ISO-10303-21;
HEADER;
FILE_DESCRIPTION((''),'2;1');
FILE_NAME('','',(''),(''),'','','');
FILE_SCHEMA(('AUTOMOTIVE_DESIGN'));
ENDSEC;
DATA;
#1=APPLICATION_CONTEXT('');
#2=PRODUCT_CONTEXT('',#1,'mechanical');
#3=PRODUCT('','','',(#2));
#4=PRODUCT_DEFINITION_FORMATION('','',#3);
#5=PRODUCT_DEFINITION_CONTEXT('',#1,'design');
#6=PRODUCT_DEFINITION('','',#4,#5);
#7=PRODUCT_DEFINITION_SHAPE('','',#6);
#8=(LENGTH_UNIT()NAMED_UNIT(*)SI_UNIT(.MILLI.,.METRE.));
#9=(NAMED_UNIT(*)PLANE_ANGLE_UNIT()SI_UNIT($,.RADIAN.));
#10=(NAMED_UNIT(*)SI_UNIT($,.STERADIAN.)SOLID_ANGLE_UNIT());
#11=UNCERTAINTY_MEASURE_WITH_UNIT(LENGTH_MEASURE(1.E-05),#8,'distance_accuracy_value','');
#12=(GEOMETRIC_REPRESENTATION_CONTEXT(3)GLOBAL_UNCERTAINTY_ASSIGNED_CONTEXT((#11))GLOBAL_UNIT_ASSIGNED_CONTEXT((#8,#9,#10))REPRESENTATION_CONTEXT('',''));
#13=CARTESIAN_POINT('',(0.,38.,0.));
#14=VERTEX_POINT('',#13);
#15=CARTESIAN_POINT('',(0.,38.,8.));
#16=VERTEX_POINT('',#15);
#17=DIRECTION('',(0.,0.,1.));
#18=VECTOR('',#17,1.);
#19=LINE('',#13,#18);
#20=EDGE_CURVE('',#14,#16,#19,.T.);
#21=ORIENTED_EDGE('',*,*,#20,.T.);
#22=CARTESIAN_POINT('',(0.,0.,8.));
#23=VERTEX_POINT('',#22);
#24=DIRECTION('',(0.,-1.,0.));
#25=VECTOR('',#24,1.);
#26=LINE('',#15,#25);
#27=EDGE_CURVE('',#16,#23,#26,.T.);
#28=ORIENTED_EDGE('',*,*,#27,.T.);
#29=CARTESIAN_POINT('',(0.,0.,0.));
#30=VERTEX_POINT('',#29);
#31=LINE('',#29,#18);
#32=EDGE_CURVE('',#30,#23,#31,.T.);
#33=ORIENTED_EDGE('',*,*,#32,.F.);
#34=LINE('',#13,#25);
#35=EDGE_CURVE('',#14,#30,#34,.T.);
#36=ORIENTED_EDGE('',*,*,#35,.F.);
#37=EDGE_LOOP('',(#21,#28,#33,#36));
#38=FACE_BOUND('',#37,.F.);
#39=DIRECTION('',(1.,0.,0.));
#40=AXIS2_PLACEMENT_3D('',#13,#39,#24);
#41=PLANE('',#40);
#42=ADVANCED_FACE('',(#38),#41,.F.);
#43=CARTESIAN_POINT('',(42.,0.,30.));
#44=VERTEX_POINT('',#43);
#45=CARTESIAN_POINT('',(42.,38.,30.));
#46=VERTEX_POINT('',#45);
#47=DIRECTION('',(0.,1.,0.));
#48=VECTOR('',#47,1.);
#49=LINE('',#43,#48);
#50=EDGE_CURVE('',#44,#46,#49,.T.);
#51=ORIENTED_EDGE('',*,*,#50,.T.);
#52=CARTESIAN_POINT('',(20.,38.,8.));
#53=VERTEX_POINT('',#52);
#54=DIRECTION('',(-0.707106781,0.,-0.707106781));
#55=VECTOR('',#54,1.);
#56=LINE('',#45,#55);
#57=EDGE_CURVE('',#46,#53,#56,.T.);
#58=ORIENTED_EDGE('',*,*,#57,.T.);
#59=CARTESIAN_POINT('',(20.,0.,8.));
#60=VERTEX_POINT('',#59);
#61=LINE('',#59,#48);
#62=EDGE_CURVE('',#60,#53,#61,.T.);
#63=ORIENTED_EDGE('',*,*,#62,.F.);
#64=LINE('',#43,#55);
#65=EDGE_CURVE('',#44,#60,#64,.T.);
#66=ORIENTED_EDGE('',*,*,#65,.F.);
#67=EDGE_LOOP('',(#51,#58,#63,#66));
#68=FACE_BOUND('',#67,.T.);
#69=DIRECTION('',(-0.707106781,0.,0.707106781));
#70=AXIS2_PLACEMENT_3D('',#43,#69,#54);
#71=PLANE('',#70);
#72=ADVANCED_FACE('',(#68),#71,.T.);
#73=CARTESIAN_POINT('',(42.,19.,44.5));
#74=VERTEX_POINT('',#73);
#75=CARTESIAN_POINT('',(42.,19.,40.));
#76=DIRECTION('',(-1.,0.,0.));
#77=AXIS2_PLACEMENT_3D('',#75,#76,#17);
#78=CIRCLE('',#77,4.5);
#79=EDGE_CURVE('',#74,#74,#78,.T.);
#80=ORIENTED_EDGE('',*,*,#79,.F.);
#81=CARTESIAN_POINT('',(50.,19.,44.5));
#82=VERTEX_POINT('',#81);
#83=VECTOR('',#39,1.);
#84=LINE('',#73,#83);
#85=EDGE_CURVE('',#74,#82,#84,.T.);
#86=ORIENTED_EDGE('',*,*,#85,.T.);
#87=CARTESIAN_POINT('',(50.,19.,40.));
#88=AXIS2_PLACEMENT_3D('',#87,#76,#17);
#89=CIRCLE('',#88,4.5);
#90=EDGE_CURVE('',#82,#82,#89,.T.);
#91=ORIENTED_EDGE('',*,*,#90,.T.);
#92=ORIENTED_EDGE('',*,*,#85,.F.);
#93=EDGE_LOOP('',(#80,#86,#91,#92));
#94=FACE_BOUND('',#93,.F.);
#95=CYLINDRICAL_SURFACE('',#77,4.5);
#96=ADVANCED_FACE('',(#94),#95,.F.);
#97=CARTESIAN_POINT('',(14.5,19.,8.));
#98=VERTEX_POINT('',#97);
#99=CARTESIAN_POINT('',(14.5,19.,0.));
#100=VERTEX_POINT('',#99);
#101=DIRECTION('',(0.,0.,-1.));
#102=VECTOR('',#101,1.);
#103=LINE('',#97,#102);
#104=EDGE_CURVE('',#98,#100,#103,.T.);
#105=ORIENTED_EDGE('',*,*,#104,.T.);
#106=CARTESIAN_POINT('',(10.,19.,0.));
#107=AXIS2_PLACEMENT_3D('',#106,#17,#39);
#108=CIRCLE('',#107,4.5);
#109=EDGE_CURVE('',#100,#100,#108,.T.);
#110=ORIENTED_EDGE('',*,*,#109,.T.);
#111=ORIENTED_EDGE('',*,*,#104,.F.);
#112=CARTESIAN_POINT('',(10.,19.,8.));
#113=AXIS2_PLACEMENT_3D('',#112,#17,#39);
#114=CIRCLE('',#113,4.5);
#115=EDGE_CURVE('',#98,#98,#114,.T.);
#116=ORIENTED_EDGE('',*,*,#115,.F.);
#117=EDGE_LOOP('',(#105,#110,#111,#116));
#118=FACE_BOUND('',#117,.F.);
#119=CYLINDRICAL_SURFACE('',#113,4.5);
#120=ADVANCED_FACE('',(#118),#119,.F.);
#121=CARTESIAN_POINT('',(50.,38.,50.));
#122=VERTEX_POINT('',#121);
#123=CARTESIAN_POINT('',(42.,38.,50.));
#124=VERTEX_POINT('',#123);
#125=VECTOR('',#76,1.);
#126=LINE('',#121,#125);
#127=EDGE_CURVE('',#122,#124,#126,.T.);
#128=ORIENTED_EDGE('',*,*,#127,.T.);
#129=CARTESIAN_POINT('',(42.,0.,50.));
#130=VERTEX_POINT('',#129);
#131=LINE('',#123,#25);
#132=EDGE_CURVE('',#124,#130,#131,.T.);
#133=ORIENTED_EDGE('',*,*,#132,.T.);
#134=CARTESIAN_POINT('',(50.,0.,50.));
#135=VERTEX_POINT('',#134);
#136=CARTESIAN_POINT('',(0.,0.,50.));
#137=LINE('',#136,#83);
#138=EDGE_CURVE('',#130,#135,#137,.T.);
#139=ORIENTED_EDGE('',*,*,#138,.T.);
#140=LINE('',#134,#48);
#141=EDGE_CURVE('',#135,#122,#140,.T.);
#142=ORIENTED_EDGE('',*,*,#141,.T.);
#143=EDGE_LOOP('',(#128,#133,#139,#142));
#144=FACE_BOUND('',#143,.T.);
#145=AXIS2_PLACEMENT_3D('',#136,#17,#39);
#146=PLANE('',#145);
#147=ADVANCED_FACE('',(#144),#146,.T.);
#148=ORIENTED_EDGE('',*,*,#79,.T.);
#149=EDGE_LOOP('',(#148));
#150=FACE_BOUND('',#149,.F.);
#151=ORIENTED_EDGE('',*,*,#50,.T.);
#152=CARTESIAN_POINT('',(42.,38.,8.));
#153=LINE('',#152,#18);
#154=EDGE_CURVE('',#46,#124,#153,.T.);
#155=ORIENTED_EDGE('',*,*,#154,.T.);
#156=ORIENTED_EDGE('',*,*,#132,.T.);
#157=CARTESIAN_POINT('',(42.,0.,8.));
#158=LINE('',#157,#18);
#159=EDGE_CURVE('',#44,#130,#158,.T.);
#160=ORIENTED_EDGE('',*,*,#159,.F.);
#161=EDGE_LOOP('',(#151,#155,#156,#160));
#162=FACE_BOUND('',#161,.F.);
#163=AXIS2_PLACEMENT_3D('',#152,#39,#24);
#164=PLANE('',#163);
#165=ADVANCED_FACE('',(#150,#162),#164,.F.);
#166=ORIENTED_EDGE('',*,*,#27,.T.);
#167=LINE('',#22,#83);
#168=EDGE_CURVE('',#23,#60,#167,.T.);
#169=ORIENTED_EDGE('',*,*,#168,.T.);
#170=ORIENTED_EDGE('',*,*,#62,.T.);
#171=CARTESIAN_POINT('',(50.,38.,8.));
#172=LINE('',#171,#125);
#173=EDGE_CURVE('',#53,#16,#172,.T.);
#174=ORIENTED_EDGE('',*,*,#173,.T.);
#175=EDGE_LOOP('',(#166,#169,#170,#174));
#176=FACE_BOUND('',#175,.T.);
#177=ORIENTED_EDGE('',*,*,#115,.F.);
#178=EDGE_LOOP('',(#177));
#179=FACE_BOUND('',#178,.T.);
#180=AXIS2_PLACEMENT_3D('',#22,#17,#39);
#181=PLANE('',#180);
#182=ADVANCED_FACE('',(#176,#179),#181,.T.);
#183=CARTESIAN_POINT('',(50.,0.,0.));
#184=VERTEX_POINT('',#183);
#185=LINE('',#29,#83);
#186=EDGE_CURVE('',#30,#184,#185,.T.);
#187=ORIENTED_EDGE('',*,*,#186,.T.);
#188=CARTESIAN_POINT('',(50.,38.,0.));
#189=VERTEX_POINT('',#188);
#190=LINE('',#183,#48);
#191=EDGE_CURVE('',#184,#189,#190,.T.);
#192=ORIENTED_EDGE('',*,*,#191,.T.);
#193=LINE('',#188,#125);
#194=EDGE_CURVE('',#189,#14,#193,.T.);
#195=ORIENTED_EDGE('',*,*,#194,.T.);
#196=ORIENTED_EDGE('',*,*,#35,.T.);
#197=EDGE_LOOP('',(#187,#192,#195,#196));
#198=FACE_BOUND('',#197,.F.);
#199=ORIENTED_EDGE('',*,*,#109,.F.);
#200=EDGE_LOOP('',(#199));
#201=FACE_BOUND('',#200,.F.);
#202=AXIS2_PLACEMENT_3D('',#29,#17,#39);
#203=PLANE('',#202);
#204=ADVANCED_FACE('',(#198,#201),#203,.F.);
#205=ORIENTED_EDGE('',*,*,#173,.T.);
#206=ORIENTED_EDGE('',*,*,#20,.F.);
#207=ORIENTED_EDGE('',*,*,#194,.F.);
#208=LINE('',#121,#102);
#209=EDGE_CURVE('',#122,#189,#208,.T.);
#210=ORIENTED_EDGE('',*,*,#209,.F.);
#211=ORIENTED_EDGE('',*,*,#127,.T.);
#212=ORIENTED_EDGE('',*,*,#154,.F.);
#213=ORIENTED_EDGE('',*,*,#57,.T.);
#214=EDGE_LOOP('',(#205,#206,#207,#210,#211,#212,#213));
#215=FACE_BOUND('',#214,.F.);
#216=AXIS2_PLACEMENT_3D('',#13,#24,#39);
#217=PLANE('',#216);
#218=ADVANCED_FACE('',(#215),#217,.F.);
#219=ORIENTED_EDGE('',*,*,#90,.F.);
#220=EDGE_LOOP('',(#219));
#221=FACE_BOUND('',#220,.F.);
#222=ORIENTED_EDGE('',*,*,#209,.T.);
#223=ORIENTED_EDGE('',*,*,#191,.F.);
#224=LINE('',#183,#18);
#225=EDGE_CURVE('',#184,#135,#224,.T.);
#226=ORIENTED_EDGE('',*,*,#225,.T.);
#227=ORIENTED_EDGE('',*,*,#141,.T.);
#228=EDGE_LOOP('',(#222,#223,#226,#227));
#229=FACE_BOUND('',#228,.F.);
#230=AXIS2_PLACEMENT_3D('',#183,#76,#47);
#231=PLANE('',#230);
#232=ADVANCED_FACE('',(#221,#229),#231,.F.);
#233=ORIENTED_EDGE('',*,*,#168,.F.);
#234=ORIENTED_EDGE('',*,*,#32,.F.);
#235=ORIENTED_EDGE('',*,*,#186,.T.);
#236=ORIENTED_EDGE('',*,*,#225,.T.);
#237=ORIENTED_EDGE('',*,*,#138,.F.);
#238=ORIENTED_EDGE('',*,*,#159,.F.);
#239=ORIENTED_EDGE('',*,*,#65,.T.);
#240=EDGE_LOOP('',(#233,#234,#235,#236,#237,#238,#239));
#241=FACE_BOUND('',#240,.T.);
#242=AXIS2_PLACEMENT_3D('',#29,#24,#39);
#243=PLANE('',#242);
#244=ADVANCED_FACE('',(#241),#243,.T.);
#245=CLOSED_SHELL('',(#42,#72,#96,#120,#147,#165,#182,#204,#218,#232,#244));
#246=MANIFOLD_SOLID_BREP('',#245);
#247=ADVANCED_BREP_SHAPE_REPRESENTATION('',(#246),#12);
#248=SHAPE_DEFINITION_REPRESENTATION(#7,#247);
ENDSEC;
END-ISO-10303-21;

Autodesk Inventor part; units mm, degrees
ref_plane "YZ Plane" through (0, 0, 0) normal (1, 0, 0) x (0, 1, 0)
ref_plane "XZ Plane" through (0, 0, 0) normal (0, 1, 0) x (-1, 0, 0)
ref_plane "XY Plane" through (0, 0, 0) normal (0, 0, 1) x (1, 0, 0)
sketch "Sketch1" plane through (0, 0, 0) normal (0, 0, 1) x (1, 0, 0)
  line L0 (0, 0) -> (50, 0)
  line L1 (50, 0) -> (50, 38)
  line L2 (50, 38) -> (0, 38)
  line L3 (0, 38) -> (0, 0)
  dimension "d0" = 38
  dimension "d3" = 50
extrude "Extrusion1" add sketch "Sketch1" along normal blind 8
sketch "Sketch2" plane through (0, 0, 8) normal (0, 0, 1) x (1, 0, 0)
  line L0 (50, 0) -> (50, 38) projected
  line L1 (0, 0) -> (50, 0) projected
  line L2 (50, 38) -> (42, 38)
  line L3 (42, 38) -> (42, 0)
  line L4 (42, 0) -> (50, 0)
  line L5 (50, 0) -> (50, 38)
  dimension "d4" = 8
extrude "Extrusion2" add sketch "Sketch2" along normal blind 42
sketch "Sketch3" plane through (0, 0, 0) normal (0, -1, 0) x (1, 0, 0)
  line L0 (42, 8) -> (42, 50) projected
  line L1 (42, 30) -> (20, 8)
  line L2 (0, 8) -> (42, 8) projected
  line L3 (0, 0) -> (50, 0) projected
  line L4 (50, 0) -> (50, 50) projected
  dimension "d7" = 30
  dimension "d8" = 30
extrude "Extrusion3" add sketch "Sketch3" against normal up to surface (38 mm away)
sketch "Sketch4" plane through (42, 0, 50) normal (-1, 0, 0) x (0, 0, 1)
  circle A0 centre (-10, 19) radius 4.5
  line L0 (0, 38) -> (0, 0) projected
  line L1 (-20, 38) -> (0, 38) projected
  point P0 (-50, 0)
  dimension "d11" = 10
  dimension "d12" = 19
  dimension "d13" = 9
extrude "Extrusion4" cut sketch "Sketch4" against normal through all
sketch "Sketch5" plane through (0, 0, 8) normal (0, 0, 1) x (1, 0, 0)
  circle A0 centre (10, 19) radius 4.5
  line L0 (0, 38) -> (0, 0) projected
  line L1 (0, 0) -> (20, 0) projected
  dimension "d16" = 10
  dimension "d17" = 19
  dimension "d18" = 9
extrude "Extrusion5" cut sketch "Sketch5" against normal blind 10
properties part number "KeNhom40"
